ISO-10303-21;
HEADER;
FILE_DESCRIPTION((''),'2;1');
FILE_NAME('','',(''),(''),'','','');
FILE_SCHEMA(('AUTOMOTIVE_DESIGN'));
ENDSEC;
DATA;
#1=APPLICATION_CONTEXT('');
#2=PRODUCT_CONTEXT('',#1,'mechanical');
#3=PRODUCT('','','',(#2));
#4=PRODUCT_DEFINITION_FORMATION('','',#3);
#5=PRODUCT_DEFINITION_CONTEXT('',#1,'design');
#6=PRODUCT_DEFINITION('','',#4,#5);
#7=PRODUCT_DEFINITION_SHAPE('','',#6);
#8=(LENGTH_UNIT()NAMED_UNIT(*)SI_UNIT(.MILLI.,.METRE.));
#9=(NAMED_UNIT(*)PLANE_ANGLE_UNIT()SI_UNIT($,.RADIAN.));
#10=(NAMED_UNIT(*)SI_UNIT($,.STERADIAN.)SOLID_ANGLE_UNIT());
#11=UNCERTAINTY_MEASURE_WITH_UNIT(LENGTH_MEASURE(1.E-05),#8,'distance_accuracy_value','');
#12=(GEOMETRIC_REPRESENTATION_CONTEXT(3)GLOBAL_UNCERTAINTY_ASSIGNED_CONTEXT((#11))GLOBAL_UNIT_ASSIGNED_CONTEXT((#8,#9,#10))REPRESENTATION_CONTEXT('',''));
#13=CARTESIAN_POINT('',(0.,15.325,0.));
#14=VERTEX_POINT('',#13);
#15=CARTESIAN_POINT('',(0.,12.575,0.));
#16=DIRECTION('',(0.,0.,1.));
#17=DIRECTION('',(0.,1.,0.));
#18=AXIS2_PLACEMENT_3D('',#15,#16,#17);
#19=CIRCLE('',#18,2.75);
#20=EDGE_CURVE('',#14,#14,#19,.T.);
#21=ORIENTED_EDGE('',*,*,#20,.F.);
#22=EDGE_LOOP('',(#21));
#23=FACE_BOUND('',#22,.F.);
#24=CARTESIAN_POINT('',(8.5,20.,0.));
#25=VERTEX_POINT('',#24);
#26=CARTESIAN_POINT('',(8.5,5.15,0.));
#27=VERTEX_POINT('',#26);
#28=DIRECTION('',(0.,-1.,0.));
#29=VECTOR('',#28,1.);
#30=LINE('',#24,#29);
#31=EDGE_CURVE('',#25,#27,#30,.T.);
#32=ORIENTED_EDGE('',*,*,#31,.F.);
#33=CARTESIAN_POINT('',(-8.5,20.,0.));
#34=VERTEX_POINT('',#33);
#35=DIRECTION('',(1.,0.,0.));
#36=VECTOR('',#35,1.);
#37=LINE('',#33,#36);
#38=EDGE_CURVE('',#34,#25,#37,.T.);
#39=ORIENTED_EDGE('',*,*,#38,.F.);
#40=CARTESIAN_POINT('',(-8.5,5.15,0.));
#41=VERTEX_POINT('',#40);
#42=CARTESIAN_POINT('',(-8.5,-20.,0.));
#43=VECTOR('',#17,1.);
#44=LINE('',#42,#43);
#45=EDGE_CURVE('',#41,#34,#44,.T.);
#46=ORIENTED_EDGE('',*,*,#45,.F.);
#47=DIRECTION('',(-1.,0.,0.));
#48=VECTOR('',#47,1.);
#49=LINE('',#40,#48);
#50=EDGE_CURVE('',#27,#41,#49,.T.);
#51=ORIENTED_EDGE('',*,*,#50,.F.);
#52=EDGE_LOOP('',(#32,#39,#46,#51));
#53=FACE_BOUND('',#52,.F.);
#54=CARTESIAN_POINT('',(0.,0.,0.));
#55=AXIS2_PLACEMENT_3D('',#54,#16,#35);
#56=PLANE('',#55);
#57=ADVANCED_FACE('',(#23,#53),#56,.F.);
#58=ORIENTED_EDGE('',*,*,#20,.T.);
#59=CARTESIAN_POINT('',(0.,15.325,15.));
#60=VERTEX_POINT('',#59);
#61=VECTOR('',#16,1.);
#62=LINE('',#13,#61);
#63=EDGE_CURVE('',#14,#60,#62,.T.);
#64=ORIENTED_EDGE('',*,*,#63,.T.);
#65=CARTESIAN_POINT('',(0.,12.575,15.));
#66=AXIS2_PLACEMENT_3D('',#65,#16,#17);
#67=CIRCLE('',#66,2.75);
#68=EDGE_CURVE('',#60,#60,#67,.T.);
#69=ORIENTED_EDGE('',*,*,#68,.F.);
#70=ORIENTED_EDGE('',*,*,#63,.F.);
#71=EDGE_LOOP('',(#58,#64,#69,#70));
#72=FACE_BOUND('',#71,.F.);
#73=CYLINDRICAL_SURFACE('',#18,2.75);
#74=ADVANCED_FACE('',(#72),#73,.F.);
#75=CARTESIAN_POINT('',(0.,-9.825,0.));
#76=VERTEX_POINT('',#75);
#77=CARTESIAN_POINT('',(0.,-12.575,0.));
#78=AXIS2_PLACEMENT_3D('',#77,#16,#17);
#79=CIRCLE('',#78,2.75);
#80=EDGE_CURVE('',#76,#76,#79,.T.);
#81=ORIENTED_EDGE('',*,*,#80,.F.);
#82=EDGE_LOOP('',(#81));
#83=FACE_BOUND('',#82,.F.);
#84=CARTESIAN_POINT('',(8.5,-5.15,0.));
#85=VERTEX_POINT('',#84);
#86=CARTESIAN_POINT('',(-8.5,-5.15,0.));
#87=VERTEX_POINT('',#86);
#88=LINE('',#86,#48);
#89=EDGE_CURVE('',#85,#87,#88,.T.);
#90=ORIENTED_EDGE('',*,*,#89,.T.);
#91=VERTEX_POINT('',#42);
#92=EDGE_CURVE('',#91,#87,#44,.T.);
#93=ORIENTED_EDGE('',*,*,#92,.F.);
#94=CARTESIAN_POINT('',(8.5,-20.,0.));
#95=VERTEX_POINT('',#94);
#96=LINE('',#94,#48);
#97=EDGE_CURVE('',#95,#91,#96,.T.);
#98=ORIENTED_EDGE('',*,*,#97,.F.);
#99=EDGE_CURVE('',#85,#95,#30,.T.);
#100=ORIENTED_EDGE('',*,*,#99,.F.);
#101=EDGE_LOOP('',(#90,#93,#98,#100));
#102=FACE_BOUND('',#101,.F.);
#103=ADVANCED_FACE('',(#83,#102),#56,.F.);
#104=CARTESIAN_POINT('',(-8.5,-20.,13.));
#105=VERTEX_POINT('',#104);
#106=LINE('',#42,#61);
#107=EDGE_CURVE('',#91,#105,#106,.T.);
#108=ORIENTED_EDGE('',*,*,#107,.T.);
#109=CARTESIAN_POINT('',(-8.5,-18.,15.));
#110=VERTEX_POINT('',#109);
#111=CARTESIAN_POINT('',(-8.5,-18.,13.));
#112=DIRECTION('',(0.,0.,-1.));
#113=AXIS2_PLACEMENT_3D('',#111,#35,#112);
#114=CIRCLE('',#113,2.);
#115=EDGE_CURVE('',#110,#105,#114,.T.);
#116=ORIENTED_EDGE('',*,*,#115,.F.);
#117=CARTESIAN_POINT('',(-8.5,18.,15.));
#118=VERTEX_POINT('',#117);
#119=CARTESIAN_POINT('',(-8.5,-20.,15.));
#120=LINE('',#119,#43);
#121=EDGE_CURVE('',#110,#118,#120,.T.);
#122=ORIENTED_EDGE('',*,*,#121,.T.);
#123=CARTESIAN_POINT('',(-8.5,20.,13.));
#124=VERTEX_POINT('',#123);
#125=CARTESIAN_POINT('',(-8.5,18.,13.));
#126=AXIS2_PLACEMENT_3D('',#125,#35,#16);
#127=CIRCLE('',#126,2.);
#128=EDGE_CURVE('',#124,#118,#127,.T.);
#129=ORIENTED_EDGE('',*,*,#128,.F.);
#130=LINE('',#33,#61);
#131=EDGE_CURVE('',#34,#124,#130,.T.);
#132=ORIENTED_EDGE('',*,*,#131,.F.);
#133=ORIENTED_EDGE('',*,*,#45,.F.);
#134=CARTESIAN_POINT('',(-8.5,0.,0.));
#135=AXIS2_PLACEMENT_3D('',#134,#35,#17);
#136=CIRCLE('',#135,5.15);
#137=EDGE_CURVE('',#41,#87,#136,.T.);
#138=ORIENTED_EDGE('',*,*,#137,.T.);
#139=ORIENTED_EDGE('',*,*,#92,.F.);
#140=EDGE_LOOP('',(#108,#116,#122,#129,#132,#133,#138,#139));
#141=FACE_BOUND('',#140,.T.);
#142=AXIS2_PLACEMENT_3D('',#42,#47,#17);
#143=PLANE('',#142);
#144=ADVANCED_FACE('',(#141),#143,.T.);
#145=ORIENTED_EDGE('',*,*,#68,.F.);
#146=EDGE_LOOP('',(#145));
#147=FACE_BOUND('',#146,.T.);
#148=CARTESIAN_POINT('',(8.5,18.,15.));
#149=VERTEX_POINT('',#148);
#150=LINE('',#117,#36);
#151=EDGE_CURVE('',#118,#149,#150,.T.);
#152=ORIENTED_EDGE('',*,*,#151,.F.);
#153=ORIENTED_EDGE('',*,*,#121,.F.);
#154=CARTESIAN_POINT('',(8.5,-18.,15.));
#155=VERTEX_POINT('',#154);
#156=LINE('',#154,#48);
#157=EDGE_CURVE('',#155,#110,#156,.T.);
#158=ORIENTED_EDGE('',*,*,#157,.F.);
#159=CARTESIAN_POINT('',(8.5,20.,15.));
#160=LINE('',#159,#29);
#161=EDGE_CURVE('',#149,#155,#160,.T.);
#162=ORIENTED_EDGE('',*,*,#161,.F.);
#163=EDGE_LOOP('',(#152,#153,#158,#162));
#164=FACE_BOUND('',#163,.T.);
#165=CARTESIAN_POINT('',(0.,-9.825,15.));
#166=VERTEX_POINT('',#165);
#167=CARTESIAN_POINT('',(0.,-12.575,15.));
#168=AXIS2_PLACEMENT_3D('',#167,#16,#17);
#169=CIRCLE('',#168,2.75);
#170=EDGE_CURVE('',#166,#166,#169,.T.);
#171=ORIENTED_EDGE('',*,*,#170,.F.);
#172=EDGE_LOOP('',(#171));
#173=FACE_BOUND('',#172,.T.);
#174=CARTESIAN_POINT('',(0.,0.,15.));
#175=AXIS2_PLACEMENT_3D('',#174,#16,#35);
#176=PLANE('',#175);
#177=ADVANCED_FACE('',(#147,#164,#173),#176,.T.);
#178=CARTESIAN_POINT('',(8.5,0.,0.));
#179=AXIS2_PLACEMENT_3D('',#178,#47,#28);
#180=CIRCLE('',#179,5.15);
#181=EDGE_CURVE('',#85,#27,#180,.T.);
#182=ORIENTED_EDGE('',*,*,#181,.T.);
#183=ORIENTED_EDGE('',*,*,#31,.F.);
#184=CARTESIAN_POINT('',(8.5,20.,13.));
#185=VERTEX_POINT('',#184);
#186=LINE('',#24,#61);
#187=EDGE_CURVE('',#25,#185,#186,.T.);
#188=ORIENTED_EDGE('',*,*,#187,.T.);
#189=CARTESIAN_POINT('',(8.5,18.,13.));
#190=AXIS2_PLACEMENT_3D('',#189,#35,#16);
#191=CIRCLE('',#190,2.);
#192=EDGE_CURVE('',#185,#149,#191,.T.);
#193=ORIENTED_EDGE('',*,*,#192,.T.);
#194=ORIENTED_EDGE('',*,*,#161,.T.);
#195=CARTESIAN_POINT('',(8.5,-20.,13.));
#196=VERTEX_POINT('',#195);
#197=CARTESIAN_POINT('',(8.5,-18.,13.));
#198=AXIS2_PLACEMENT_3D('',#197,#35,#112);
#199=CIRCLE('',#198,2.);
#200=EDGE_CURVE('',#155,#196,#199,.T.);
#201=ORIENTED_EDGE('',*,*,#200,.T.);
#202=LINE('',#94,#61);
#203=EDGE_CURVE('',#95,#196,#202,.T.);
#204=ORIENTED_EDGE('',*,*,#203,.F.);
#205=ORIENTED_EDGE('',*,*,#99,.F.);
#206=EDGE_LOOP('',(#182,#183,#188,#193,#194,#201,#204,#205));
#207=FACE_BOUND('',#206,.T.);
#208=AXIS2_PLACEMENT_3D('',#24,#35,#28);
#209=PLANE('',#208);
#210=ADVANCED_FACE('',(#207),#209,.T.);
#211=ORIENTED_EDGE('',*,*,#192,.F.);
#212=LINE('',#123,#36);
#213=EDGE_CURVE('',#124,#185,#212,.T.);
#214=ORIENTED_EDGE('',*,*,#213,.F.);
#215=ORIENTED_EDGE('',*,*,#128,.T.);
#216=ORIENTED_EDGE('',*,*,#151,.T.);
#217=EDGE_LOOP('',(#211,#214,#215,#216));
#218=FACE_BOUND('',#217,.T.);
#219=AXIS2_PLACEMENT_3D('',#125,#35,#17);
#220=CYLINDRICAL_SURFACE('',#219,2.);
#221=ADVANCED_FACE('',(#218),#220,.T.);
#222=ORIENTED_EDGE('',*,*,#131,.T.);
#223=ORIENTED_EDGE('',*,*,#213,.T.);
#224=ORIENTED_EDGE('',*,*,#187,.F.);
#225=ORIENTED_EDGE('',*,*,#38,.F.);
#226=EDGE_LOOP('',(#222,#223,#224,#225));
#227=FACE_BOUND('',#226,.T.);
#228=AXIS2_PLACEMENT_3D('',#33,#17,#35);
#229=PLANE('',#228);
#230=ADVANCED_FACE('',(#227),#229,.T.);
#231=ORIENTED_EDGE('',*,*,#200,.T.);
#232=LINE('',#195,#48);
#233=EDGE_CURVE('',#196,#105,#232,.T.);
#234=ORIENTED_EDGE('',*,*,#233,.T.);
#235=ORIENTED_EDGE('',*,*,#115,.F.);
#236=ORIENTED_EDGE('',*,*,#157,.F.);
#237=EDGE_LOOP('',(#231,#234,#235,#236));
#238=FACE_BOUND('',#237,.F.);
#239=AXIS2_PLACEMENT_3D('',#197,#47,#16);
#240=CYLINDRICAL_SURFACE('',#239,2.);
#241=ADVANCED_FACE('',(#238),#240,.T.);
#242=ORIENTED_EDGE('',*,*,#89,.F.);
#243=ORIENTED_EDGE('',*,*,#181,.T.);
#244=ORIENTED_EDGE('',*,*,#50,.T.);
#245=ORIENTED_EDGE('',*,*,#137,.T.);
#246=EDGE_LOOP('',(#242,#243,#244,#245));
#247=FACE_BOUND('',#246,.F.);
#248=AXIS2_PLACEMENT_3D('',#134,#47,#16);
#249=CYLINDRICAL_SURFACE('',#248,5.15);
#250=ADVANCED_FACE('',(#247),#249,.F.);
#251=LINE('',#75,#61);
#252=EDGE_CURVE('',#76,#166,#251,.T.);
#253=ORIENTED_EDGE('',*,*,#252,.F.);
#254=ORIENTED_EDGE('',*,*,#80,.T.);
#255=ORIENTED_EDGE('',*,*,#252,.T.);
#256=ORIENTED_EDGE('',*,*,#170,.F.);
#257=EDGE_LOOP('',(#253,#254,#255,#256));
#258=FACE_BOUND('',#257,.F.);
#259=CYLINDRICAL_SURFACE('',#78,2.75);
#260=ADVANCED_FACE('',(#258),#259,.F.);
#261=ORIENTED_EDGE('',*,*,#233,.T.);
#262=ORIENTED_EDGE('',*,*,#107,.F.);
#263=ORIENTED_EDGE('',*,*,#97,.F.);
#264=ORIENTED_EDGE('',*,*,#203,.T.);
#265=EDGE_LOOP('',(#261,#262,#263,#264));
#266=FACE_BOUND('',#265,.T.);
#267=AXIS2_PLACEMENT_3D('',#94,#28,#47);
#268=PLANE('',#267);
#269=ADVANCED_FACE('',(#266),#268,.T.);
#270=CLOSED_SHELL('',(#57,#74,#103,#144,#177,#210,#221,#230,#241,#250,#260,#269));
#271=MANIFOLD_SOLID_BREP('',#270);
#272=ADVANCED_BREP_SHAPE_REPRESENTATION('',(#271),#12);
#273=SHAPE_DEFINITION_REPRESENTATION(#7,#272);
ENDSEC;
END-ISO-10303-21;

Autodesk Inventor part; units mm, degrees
ref_plane "YZ Plane" through (0, 0, 0) normal (1, 0, 0) x (0, 1, 0)
ref_plane "XZ Plane" through (0, 0, 0) normal (0, 1, 0) x (-1, 0, 0)
ref_plane "XY Plane" through (0, 0, 0) normal (0, 0, 1) x (1, 0, 0)
sketch "Sketch1" plane through (0, 0, 0) normal (0, 0, 1) x (1, 0, 0)
  line L0 (-8.5, 20) -> (8.5, 20)
  line L1 (8.5, 20) -> (8.5, -20)
  line L2 (8.5, -20) -> (-8.5, -20)
  line L3 (-8.5, -20) -> (-8.5, 20)
  point P0 (0, 0)
  point P1 (-8.5, 0)
  point P2 (0, 20)
  dimension "d0" = 40
  dimension "d1" = 17
extrude "Extrusion1" add sketch "Sketch1" along normal blind 15
sketch "Sketch2" plane through (-8.5, -20, 0) normal (-1, 0, 0) x (0, 0, 1)
  circle A0 centre (0, 20) radius 5.15
  line L0 (0, 40) -> (0, 0) projected
  dimension "d5" = 10.3
  dimension "d8" = 0
extrude "Extrusion2" cut sketch "Sketch2" against normal through all
sketch "Sketch3" plane through (0, 0, 0) normal (0, 0, -1) x (-1, 0, 0)
  line L0 (-8.5, 5.15) -> (-8.5, 20) projected
  line L1 (-8.5, -20) -> (-8.5, -5.15) projected
  line L2 (8.5, -20) -> (-8.5, -20) projected
  line L3 (-8.5, 20) -> (8.5, 20) projected
  point P0 (0, 0)
  point P1 (0, -12.575)
  point P2 (0, 12.575)
  point P3 (-8.5, 12.575)
  point P4 (-8.5, -12.575)
  point P5 (0, -20)
  point P6 (0, 20)
hole "Hole1" at (0, -12.575, 0) at (0, 12.575, 0) direction (0, 0, 1) diameter 5.5 end through all
fillet "Fillet1" radius 2 2 edges at (0, -20, 15) (0, 20, 15)
properties part number "0008-10-010 Fixare AxaX"
